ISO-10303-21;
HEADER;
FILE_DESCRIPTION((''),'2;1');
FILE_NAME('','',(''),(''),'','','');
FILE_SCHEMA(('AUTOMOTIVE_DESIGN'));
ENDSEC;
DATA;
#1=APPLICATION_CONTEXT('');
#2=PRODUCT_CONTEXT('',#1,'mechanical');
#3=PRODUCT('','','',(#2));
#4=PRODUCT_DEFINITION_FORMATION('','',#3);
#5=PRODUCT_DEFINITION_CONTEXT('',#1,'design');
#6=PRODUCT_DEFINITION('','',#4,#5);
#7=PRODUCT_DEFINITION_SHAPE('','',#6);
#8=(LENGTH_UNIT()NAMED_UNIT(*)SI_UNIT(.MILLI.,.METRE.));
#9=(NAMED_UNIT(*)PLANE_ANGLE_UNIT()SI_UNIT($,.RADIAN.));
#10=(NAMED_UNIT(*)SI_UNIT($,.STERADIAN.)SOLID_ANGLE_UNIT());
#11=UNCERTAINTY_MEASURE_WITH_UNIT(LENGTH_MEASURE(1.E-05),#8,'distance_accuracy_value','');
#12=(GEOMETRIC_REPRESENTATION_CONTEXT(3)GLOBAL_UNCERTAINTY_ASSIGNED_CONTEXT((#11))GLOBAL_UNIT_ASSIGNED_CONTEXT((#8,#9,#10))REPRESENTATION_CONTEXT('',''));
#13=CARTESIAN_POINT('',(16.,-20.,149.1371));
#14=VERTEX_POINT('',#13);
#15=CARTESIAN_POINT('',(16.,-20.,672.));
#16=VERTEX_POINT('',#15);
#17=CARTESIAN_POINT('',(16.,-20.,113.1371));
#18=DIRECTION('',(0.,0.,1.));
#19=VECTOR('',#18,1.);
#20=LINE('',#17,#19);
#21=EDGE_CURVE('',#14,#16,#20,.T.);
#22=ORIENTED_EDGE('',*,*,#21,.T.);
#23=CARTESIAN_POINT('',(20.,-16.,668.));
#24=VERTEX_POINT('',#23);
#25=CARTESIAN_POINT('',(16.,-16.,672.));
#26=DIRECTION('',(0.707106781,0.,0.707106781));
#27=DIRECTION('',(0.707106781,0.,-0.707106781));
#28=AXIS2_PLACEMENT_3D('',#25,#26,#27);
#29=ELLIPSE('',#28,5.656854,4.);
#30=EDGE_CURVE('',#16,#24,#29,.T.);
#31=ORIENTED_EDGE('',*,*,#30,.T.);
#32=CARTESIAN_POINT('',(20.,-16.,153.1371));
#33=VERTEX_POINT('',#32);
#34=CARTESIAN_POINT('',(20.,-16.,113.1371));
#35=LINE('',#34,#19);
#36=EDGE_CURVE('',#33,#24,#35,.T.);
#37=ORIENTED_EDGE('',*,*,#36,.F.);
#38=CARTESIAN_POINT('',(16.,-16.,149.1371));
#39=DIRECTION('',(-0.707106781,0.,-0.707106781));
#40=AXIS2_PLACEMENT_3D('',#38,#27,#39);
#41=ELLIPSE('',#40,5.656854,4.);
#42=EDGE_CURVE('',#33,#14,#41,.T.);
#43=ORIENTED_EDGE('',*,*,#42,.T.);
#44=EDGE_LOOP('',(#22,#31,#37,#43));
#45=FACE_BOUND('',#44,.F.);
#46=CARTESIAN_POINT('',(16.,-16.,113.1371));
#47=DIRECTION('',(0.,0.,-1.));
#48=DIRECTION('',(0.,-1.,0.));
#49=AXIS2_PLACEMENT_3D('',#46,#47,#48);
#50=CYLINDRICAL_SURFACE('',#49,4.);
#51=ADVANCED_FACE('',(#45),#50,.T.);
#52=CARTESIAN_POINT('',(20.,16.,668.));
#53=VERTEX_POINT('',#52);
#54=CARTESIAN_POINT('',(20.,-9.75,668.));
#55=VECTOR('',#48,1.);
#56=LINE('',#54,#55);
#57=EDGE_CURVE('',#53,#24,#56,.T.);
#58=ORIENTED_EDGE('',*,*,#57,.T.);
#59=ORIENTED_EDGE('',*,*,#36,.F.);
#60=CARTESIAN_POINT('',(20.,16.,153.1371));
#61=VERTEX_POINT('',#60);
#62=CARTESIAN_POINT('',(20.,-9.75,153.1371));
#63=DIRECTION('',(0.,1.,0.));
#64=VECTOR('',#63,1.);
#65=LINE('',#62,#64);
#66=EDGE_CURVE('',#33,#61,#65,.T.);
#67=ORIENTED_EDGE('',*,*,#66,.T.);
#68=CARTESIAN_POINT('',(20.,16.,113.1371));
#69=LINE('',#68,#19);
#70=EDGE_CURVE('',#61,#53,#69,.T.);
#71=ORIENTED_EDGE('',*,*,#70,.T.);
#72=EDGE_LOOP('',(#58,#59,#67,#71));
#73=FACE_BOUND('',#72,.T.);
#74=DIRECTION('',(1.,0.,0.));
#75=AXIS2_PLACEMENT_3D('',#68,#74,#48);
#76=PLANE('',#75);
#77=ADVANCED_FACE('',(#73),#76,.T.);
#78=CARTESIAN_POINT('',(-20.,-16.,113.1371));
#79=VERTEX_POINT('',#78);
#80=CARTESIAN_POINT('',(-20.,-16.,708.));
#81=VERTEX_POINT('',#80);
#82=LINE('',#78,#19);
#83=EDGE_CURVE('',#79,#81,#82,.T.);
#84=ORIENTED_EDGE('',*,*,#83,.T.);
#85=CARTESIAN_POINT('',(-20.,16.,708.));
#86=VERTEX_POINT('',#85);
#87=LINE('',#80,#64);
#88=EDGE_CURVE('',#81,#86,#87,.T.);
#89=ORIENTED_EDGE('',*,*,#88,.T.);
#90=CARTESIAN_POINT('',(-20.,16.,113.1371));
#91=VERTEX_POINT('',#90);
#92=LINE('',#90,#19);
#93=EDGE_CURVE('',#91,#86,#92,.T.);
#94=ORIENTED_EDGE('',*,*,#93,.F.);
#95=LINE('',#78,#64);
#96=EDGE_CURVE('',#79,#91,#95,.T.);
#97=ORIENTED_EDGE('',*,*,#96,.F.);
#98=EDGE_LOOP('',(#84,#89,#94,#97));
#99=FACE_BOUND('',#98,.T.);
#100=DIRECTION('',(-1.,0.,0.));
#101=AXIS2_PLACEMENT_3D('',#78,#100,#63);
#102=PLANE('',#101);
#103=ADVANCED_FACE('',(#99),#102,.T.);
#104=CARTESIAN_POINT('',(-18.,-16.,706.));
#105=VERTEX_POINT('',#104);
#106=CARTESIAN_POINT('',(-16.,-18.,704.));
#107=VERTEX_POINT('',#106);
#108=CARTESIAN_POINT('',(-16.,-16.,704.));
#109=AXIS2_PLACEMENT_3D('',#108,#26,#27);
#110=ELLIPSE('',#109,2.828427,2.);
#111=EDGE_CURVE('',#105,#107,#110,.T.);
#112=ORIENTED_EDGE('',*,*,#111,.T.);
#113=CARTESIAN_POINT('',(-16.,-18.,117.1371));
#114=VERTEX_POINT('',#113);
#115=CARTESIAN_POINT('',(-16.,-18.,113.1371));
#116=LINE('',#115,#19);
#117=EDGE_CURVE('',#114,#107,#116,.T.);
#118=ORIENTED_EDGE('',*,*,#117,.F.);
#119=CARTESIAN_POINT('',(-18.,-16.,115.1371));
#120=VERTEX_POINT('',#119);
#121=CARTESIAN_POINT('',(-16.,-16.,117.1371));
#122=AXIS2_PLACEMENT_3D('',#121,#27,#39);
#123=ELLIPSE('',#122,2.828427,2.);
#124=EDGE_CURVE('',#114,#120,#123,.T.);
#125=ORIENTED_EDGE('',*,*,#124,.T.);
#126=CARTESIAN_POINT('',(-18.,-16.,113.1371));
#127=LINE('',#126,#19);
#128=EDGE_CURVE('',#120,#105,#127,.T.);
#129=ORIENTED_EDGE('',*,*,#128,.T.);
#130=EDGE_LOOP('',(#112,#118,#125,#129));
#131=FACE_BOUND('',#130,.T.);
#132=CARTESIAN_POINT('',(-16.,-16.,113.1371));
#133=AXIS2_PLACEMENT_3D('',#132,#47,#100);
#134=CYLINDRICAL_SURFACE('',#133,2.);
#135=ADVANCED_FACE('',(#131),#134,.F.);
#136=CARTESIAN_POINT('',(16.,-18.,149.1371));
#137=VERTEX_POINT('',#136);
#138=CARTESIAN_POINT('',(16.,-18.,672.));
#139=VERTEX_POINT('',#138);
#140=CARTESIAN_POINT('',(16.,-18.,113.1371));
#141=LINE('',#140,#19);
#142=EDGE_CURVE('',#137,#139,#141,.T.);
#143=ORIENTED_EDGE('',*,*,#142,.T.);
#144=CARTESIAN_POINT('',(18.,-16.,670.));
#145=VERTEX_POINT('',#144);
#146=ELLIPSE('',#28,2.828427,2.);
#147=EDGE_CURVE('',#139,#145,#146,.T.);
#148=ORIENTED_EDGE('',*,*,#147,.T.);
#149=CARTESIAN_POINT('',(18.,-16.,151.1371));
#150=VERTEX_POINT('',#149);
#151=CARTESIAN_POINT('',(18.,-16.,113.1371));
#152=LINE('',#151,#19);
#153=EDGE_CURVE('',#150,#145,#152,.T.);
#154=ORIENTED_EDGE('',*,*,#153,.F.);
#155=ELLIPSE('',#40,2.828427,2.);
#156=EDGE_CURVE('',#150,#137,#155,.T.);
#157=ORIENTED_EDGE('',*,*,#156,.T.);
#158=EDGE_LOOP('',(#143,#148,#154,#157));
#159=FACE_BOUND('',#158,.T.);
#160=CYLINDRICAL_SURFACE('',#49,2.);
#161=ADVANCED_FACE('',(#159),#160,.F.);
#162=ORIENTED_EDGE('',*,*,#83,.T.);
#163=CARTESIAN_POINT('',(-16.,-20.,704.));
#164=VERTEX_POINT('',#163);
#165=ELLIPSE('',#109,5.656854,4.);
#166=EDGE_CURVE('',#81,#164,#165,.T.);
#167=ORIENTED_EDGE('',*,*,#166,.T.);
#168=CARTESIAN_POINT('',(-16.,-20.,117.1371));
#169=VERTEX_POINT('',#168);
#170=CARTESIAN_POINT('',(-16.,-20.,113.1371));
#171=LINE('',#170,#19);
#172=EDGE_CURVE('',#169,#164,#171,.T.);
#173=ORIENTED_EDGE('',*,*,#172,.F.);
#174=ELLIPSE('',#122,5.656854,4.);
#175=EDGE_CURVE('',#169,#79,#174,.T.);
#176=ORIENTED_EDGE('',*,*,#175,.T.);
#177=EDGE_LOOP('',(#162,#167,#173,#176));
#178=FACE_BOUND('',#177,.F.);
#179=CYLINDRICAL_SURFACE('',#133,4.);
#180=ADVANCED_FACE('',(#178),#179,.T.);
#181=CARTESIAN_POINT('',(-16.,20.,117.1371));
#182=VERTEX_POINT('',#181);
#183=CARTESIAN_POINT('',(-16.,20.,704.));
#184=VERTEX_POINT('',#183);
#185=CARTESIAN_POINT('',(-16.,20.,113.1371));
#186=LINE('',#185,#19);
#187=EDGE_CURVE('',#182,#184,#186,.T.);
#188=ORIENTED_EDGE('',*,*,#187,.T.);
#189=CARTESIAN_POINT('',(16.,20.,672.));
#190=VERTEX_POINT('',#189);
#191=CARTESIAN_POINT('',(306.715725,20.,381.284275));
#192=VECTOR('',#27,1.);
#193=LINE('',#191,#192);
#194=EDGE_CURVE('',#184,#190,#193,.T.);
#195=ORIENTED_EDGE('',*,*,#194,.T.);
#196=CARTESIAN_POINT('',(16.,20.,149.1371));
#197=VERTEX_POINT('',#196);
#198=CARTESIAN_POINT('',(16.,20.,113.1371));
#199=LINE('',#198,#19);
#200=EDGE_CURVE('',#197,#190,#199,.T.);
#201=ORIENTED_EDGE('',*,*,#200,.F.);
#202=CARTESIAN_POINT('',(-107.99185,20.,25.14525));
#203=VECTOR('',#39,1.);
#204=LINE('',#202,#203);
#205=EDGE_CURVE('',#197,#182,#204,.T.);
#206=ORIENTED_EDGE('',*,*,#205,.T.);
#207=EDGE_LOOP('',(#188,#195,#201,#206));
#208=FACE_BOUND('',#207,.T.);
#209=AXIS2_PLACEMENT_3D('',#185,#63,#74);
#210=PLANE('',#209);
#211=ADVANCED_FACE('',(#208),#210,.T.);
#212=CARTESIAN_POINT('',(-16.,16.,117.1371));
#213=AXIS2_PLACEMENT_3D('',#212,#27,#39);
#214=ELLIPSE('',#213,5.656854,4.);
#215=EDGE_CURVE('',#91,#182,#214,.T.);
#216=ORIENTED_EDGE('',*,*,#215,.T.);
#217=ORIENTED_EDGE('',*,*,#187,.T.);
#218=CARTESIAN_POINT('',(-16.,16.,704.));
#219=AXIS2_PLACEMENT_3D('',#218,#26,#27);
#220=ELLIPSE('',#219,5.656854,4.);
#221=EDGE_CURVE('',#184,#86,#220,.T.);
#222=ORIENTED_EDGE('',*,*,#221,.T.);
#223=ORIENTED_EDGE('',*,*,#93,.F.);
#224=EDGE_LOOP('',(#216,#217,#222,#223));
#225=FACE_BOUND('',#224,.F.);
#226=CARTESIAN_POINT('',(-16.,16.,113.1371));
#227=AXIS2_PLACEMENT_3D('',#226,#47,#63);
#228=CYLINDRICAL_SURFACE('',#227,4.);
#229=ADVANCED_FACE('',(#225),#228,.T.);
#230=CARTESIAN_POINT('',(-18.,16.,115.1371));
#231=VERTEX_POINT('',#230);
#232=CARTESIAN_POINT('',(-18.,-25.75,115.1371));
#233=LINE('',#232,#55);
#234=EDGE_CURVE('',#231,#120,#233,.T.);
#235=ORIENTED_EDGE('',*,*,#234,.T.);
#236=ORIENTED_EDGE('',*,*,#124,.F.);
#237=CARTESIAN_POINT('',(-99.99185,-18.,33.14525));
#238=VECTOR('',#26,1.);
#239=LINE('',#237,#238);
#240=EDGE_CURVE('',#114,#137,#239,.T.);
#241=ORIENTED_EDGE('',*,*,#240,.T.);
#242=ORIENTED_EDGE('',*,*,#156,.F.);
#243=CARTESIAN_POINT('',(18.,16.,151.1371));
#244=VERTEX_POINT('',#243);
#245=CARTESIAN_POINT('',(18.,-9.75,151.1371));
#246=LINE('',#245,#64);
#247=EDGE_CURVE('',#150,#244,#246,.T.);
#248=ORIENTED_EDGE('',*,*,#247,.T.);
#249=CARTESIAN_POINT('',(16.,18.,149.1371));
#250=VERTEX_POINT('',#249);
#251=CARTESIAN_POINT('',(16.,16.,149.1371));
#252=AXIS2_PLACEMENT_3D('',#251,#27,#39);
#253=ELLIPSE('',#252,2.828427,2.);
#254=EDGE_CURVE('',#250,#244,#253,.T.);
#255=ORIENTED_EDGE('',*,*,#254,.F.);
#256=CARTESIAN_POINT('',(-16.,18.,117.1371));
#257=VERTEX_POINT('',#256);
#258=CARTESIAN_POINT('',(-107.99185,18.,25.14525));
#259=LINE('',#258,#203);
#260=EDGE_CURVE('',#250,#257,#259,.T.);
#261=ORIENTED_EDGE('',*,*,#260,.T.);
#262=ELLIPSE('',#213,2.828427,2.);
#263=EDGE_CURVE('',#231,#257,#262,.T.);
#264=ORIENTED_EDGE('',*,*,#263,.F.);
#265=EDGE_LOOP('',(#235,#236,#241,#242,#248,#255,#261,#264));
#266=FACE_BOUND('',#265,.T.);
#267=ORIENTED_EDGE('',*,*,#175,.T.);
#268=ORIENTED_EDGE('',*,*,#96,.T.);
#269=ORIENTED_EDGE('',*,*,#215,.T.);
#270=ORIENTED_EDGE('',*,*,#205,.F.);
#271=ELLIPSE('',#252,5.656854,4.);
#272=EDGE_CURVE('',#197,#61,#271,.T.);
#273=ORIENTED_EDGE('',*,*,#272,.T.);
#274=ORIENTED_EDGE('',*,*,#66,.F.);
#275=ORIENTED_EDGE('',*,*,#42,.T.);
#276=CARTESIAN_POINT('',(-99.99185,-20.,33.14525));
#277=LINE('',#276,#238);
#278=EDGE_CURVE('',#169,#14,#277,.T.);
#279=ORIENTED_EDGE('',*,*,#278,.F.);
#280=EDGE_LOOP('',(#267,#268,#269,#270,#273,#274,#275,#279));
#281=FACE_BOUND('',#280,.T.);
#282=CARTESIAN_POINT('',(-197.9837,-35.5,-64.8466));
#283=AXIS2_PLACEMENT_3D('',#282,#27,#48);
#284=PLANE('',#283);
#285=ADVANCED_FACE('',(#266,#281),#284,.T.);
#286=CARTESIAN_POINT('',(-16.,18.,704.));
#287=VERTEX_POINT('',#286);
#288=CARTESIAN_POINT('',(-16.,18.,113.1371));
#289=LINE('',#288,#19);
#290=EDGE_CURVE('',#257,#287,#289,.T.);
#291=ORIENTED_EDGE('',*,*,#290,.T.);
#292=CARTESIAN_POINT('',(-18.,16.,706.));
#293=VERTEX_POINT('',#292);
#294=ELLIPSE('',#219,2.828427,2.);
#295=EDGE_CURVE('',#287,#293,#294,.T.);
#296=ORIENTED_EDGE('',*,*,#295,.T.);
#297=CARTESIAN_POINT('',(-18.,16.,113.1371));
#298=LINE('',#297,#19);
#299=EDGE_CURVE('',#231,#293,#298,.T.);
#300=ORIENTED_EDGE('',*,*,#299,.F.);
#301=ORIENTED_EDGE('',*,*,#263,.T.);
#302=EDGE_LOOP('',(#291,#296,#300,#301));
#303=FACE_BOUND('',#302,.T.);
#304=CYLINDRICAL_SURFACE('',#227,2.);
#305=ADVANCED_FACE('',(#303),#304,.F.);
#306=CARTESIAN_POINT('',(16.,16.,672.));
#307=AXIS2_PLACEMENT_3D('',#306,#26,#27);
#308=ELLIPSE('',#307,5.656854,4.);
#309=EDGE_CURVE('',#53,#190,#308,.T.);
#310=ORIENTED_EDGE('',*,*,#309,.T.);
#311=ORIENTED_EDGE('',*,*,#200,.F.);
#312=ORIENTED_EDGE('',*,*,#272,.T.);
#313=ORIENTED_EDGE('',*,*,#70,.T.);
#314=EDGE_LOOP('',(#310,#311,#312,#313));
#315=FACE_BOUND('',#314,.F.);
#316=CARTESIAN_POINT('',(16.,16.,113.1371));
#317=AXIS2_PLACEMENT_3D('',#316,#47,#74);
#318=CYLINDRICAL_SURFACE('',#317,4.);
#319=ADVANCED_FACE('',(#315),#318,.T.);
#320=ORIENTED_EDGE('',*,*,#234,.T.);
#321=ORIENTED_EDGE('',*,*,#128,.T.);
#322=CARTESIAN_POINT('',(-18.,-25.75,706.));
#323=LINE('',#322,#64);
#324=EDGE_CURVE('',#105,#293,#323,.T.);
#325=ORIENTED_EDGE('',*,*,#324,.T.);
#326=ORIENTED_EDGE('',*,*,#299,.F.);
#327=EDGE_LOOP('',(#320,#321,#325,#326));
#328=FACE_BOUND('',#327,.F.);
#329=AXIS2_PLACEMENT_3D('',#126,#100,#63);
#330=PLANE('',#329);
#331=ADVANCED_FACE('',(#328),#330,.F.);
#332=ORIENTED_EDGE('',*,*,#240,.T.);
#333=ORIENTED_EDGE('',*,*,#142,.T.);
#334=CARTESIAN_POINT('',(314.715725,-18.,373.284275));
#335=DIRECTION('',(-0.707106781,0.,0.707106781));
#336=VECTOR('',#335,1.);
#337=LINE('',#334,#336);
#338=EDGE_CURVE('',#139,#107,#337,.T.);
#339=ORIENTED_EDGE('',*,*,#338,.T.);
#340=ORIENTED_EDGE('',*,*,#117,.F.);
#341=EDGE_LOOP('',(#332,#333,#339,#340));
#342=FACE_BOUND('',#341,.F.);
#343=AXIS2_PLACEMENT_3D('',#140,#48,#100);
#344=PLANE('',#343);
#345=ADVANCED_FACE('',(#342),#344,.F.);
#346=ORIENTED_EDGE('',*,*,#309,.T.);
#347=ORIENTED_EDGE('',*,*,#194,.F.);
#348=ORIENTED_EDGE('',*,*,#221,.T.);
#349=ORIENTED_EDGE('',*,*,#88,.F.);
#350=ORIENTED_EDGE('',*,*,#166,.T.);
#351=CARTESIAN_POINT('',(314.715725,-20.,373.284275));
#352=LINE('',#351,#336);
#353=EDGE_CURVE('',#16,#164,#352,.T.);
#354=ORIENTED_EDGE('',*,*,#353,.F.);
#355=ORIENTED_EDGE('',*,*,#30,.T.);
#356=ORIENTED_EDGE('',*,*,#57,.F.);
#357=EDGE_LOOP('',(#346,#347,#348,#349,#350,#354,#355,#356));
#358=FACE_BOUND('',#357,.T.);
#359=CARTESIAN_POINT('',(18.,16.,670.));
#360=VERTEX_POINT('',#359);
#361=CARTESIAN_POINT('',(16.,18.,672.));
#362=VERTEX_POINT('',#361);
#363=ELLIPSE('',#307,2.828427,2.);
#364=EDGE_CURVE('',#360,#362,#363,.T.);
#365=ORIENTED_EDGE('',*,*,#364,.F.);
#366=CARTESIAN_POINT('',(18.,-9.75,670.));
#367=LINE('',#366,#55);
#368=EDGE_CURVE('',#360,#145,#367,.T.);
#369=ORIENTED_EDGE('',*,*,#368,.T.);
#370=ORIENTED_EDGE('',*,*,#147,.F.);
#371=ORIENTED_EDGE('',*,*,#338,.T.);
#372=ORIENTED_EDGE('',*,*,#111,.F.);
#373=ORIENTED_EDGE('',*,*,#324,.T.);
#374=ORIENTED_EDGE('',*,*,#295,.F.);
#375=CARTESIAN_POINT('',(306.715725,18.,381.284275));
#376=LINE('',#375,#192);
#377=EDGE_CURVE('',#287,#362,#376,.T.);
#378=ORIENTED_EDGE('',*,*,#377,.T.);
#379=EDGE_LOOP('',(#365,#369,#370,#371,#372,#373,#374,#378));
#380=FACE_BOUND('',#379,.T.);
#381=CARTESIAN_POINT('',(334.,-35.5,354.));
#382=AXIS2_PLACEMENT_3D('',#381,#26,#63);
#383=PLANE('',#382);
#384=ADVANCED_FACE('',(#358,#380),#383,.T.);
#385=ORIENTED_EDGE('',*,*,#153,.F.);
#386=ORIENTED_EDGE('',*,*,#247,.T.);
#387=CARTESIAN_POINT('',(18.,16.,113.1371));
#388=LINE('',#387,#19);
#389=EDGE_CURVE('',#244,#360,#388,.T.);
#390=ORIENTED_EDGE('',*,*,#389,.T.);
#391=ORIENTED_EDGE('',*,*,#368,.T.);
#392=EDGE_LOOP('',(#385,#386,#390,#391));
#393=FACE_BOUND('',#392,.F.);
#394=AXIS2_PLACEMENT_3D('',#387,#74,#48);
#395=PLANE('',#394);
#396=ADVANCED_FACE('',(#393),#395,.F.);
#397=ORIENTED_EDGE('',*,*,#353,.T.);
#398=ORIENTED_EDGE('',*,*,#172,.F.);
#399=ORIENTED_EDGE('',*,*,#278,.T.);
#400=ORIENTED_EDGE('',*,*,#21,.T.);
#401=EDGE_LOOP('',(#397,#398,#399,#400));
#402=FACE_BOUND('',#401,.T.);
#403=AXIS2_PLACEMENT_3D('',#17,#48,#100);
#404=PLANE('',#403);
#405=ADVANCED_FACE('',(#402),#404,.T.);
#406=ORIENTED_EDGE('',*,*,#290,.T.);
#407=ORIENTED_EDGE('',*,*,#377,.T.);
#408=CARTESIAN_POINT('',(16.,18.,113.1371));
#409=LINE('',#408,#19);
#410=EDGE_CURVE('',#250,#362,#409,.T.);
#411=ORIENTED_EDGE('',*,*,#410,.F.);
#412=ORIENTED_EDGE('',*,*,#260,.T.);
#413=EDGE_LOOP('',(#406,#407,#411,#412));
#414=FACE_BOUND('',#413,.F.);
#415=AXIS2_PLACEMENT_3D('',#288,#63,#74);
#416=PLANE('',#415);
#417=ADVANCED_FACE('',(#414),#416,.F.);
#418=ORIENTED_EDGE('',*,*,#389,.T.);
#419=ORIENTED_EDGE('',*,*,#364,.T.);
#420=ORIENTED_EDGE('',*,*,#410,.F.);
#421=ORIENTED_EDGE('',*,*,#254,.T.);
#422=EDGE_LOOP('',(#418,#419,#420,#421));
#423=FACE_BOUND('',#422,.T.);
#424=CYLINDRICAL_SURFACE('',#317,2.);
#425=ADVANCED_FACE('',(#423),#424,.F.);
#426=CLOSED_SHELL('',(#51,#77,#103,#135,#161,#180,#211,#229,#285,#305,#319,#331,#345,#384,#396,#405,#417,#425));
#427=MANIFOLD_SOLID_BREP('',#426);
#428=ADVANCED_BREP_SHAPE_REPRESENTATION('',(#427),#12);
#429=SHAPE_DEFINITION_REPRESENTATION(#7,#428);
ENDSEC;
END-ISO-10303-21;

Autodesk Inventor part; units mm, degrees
ref_plane "Start Plane" through (0, 0, 113.1371) normal (0, 0, 1) x (1, 0, 0)
ref_plane "End Plane" through (0, 0, 708) normal (0, 0, 1) x (1, 0, 0)
sketch "Sketch" plane through (0, 0, 0) normal (0, 0, 1) x (1, 0, 0)
  line L0 (-20, -16) -> (-20, 16)
  line L1 (-16, 20) -> (16, 20)
  line L2 (20, 16) -> (20, -16)
  line L3 (16, -20) -> (-16, -20)
  arc A0 (-20, -16) -> (-16, -20) centre (-16, -16) ccw
  arc A1 (20, 16) -> (16, 20) centre (16, 16) ccw
  arc A2 (-16, 20) -> (-20, 16) centre (-16, 16) ccw
  arc A3 (16, -20) -> (20, -16) centre (16, -16) ccw
  arc A4 (-16, 18) -> (-18, 16) centre (-16, 16) ccw
  line L4 (-16, 18) -> (16, 18)
  arc A5 (18, 16) -> (16, 18) centre (16, 16) ccw
  line L5 (18, 16) -> (18, -16)
  arc A6 (16, -18) -> (18, -16) centre (16, -16) ccw
  line L6 (16, -18) -> (-16, -18)
  arc A7 (-18, -16) -> (-16, -18) centre (-16, -16) ccw
  line L7 (-18, -16) -> (-18, 16)
  line L8 (0, 29.1598) -> (0, -29.1598) construction
  line L9 (-29.1598, 0) -> (29.1598, 0) construction
  dimension "d7" = 4
  dimension "d9" = 40
  dimension "d11" = 40
  dimension "d12" = 2
  dimension "d15" = 20
  dimension "d16" = 20
extrude "Body" add sketch "Sketch" along normal up to surface (594.8629 mm away) from surface at 113.1371
sketch "Sketch3" plane through (0, 0, 0) normal (0, 0, 1) x (1, 0, 0)
  line L0 (0, 0) -> (10, 0)
ref_plane "Work Plane3" through (0, 0, 0) normal (0, -1, 0) x (1, 0, 0)
ref_plane "Work Plane4" through (-197.9837, -35.5, -64.8466) normal (0.7071, 0, -0.7071) x (-0.7071, 0, -0.7071)
split "Split1" plane through (-197.9837, -35.5, -64.8466) removes the side toward (0.7071, 0, -0.7071)
ref_plane "Work Plane5" through (334, -35.5, 354) normal (0.7071, 0, 0.7071) x (0.7071, 0, -0.7071)
split "Split2" plane through (334, -35.5, 354) removes the side toward (0.7071, 0, 0.7071)
sketch "Sketch4" plane through (0, 0, 0) normal (0, -1, 0) x (1, 0, 0)
  line L0 (-2, 113.1371) -> (12, 113.1371) projected
  line L1 (-2, 708) -> (12, 708) projected
  dimension "d18" = 594.8629
equation "\"d7\" = G_IR"
equation "\"d9\" = G_W"
equation "\"d11\" = G_H"
equation "\"d12\" = G_T"
equation "\"d15\" = 0.5 * d9"
equation "\"d16\" = 0.5 * d11"
equation "\"d3\" = G_L"
equation "\"G_W\" = 40"
equation "\"G_H\" = 40"
equation "\"G_T\" = 2"
equation "\"G_IR\" = 4"
equation "\"G_L\" = d18"
equation "\"G_OFFSET_START\" = -113.13708"
equation "\"G_OFFSET_END\" = 0"
equation "\"d13\" = -G_OFFSET_START"
equation "\"d14\" = G_OFFSET_END + B_L"
equation "\"B_L\" = 708"
properties part number "ISO 4019 - 40x40x2 - 594,86" material "Steel, Mild"
